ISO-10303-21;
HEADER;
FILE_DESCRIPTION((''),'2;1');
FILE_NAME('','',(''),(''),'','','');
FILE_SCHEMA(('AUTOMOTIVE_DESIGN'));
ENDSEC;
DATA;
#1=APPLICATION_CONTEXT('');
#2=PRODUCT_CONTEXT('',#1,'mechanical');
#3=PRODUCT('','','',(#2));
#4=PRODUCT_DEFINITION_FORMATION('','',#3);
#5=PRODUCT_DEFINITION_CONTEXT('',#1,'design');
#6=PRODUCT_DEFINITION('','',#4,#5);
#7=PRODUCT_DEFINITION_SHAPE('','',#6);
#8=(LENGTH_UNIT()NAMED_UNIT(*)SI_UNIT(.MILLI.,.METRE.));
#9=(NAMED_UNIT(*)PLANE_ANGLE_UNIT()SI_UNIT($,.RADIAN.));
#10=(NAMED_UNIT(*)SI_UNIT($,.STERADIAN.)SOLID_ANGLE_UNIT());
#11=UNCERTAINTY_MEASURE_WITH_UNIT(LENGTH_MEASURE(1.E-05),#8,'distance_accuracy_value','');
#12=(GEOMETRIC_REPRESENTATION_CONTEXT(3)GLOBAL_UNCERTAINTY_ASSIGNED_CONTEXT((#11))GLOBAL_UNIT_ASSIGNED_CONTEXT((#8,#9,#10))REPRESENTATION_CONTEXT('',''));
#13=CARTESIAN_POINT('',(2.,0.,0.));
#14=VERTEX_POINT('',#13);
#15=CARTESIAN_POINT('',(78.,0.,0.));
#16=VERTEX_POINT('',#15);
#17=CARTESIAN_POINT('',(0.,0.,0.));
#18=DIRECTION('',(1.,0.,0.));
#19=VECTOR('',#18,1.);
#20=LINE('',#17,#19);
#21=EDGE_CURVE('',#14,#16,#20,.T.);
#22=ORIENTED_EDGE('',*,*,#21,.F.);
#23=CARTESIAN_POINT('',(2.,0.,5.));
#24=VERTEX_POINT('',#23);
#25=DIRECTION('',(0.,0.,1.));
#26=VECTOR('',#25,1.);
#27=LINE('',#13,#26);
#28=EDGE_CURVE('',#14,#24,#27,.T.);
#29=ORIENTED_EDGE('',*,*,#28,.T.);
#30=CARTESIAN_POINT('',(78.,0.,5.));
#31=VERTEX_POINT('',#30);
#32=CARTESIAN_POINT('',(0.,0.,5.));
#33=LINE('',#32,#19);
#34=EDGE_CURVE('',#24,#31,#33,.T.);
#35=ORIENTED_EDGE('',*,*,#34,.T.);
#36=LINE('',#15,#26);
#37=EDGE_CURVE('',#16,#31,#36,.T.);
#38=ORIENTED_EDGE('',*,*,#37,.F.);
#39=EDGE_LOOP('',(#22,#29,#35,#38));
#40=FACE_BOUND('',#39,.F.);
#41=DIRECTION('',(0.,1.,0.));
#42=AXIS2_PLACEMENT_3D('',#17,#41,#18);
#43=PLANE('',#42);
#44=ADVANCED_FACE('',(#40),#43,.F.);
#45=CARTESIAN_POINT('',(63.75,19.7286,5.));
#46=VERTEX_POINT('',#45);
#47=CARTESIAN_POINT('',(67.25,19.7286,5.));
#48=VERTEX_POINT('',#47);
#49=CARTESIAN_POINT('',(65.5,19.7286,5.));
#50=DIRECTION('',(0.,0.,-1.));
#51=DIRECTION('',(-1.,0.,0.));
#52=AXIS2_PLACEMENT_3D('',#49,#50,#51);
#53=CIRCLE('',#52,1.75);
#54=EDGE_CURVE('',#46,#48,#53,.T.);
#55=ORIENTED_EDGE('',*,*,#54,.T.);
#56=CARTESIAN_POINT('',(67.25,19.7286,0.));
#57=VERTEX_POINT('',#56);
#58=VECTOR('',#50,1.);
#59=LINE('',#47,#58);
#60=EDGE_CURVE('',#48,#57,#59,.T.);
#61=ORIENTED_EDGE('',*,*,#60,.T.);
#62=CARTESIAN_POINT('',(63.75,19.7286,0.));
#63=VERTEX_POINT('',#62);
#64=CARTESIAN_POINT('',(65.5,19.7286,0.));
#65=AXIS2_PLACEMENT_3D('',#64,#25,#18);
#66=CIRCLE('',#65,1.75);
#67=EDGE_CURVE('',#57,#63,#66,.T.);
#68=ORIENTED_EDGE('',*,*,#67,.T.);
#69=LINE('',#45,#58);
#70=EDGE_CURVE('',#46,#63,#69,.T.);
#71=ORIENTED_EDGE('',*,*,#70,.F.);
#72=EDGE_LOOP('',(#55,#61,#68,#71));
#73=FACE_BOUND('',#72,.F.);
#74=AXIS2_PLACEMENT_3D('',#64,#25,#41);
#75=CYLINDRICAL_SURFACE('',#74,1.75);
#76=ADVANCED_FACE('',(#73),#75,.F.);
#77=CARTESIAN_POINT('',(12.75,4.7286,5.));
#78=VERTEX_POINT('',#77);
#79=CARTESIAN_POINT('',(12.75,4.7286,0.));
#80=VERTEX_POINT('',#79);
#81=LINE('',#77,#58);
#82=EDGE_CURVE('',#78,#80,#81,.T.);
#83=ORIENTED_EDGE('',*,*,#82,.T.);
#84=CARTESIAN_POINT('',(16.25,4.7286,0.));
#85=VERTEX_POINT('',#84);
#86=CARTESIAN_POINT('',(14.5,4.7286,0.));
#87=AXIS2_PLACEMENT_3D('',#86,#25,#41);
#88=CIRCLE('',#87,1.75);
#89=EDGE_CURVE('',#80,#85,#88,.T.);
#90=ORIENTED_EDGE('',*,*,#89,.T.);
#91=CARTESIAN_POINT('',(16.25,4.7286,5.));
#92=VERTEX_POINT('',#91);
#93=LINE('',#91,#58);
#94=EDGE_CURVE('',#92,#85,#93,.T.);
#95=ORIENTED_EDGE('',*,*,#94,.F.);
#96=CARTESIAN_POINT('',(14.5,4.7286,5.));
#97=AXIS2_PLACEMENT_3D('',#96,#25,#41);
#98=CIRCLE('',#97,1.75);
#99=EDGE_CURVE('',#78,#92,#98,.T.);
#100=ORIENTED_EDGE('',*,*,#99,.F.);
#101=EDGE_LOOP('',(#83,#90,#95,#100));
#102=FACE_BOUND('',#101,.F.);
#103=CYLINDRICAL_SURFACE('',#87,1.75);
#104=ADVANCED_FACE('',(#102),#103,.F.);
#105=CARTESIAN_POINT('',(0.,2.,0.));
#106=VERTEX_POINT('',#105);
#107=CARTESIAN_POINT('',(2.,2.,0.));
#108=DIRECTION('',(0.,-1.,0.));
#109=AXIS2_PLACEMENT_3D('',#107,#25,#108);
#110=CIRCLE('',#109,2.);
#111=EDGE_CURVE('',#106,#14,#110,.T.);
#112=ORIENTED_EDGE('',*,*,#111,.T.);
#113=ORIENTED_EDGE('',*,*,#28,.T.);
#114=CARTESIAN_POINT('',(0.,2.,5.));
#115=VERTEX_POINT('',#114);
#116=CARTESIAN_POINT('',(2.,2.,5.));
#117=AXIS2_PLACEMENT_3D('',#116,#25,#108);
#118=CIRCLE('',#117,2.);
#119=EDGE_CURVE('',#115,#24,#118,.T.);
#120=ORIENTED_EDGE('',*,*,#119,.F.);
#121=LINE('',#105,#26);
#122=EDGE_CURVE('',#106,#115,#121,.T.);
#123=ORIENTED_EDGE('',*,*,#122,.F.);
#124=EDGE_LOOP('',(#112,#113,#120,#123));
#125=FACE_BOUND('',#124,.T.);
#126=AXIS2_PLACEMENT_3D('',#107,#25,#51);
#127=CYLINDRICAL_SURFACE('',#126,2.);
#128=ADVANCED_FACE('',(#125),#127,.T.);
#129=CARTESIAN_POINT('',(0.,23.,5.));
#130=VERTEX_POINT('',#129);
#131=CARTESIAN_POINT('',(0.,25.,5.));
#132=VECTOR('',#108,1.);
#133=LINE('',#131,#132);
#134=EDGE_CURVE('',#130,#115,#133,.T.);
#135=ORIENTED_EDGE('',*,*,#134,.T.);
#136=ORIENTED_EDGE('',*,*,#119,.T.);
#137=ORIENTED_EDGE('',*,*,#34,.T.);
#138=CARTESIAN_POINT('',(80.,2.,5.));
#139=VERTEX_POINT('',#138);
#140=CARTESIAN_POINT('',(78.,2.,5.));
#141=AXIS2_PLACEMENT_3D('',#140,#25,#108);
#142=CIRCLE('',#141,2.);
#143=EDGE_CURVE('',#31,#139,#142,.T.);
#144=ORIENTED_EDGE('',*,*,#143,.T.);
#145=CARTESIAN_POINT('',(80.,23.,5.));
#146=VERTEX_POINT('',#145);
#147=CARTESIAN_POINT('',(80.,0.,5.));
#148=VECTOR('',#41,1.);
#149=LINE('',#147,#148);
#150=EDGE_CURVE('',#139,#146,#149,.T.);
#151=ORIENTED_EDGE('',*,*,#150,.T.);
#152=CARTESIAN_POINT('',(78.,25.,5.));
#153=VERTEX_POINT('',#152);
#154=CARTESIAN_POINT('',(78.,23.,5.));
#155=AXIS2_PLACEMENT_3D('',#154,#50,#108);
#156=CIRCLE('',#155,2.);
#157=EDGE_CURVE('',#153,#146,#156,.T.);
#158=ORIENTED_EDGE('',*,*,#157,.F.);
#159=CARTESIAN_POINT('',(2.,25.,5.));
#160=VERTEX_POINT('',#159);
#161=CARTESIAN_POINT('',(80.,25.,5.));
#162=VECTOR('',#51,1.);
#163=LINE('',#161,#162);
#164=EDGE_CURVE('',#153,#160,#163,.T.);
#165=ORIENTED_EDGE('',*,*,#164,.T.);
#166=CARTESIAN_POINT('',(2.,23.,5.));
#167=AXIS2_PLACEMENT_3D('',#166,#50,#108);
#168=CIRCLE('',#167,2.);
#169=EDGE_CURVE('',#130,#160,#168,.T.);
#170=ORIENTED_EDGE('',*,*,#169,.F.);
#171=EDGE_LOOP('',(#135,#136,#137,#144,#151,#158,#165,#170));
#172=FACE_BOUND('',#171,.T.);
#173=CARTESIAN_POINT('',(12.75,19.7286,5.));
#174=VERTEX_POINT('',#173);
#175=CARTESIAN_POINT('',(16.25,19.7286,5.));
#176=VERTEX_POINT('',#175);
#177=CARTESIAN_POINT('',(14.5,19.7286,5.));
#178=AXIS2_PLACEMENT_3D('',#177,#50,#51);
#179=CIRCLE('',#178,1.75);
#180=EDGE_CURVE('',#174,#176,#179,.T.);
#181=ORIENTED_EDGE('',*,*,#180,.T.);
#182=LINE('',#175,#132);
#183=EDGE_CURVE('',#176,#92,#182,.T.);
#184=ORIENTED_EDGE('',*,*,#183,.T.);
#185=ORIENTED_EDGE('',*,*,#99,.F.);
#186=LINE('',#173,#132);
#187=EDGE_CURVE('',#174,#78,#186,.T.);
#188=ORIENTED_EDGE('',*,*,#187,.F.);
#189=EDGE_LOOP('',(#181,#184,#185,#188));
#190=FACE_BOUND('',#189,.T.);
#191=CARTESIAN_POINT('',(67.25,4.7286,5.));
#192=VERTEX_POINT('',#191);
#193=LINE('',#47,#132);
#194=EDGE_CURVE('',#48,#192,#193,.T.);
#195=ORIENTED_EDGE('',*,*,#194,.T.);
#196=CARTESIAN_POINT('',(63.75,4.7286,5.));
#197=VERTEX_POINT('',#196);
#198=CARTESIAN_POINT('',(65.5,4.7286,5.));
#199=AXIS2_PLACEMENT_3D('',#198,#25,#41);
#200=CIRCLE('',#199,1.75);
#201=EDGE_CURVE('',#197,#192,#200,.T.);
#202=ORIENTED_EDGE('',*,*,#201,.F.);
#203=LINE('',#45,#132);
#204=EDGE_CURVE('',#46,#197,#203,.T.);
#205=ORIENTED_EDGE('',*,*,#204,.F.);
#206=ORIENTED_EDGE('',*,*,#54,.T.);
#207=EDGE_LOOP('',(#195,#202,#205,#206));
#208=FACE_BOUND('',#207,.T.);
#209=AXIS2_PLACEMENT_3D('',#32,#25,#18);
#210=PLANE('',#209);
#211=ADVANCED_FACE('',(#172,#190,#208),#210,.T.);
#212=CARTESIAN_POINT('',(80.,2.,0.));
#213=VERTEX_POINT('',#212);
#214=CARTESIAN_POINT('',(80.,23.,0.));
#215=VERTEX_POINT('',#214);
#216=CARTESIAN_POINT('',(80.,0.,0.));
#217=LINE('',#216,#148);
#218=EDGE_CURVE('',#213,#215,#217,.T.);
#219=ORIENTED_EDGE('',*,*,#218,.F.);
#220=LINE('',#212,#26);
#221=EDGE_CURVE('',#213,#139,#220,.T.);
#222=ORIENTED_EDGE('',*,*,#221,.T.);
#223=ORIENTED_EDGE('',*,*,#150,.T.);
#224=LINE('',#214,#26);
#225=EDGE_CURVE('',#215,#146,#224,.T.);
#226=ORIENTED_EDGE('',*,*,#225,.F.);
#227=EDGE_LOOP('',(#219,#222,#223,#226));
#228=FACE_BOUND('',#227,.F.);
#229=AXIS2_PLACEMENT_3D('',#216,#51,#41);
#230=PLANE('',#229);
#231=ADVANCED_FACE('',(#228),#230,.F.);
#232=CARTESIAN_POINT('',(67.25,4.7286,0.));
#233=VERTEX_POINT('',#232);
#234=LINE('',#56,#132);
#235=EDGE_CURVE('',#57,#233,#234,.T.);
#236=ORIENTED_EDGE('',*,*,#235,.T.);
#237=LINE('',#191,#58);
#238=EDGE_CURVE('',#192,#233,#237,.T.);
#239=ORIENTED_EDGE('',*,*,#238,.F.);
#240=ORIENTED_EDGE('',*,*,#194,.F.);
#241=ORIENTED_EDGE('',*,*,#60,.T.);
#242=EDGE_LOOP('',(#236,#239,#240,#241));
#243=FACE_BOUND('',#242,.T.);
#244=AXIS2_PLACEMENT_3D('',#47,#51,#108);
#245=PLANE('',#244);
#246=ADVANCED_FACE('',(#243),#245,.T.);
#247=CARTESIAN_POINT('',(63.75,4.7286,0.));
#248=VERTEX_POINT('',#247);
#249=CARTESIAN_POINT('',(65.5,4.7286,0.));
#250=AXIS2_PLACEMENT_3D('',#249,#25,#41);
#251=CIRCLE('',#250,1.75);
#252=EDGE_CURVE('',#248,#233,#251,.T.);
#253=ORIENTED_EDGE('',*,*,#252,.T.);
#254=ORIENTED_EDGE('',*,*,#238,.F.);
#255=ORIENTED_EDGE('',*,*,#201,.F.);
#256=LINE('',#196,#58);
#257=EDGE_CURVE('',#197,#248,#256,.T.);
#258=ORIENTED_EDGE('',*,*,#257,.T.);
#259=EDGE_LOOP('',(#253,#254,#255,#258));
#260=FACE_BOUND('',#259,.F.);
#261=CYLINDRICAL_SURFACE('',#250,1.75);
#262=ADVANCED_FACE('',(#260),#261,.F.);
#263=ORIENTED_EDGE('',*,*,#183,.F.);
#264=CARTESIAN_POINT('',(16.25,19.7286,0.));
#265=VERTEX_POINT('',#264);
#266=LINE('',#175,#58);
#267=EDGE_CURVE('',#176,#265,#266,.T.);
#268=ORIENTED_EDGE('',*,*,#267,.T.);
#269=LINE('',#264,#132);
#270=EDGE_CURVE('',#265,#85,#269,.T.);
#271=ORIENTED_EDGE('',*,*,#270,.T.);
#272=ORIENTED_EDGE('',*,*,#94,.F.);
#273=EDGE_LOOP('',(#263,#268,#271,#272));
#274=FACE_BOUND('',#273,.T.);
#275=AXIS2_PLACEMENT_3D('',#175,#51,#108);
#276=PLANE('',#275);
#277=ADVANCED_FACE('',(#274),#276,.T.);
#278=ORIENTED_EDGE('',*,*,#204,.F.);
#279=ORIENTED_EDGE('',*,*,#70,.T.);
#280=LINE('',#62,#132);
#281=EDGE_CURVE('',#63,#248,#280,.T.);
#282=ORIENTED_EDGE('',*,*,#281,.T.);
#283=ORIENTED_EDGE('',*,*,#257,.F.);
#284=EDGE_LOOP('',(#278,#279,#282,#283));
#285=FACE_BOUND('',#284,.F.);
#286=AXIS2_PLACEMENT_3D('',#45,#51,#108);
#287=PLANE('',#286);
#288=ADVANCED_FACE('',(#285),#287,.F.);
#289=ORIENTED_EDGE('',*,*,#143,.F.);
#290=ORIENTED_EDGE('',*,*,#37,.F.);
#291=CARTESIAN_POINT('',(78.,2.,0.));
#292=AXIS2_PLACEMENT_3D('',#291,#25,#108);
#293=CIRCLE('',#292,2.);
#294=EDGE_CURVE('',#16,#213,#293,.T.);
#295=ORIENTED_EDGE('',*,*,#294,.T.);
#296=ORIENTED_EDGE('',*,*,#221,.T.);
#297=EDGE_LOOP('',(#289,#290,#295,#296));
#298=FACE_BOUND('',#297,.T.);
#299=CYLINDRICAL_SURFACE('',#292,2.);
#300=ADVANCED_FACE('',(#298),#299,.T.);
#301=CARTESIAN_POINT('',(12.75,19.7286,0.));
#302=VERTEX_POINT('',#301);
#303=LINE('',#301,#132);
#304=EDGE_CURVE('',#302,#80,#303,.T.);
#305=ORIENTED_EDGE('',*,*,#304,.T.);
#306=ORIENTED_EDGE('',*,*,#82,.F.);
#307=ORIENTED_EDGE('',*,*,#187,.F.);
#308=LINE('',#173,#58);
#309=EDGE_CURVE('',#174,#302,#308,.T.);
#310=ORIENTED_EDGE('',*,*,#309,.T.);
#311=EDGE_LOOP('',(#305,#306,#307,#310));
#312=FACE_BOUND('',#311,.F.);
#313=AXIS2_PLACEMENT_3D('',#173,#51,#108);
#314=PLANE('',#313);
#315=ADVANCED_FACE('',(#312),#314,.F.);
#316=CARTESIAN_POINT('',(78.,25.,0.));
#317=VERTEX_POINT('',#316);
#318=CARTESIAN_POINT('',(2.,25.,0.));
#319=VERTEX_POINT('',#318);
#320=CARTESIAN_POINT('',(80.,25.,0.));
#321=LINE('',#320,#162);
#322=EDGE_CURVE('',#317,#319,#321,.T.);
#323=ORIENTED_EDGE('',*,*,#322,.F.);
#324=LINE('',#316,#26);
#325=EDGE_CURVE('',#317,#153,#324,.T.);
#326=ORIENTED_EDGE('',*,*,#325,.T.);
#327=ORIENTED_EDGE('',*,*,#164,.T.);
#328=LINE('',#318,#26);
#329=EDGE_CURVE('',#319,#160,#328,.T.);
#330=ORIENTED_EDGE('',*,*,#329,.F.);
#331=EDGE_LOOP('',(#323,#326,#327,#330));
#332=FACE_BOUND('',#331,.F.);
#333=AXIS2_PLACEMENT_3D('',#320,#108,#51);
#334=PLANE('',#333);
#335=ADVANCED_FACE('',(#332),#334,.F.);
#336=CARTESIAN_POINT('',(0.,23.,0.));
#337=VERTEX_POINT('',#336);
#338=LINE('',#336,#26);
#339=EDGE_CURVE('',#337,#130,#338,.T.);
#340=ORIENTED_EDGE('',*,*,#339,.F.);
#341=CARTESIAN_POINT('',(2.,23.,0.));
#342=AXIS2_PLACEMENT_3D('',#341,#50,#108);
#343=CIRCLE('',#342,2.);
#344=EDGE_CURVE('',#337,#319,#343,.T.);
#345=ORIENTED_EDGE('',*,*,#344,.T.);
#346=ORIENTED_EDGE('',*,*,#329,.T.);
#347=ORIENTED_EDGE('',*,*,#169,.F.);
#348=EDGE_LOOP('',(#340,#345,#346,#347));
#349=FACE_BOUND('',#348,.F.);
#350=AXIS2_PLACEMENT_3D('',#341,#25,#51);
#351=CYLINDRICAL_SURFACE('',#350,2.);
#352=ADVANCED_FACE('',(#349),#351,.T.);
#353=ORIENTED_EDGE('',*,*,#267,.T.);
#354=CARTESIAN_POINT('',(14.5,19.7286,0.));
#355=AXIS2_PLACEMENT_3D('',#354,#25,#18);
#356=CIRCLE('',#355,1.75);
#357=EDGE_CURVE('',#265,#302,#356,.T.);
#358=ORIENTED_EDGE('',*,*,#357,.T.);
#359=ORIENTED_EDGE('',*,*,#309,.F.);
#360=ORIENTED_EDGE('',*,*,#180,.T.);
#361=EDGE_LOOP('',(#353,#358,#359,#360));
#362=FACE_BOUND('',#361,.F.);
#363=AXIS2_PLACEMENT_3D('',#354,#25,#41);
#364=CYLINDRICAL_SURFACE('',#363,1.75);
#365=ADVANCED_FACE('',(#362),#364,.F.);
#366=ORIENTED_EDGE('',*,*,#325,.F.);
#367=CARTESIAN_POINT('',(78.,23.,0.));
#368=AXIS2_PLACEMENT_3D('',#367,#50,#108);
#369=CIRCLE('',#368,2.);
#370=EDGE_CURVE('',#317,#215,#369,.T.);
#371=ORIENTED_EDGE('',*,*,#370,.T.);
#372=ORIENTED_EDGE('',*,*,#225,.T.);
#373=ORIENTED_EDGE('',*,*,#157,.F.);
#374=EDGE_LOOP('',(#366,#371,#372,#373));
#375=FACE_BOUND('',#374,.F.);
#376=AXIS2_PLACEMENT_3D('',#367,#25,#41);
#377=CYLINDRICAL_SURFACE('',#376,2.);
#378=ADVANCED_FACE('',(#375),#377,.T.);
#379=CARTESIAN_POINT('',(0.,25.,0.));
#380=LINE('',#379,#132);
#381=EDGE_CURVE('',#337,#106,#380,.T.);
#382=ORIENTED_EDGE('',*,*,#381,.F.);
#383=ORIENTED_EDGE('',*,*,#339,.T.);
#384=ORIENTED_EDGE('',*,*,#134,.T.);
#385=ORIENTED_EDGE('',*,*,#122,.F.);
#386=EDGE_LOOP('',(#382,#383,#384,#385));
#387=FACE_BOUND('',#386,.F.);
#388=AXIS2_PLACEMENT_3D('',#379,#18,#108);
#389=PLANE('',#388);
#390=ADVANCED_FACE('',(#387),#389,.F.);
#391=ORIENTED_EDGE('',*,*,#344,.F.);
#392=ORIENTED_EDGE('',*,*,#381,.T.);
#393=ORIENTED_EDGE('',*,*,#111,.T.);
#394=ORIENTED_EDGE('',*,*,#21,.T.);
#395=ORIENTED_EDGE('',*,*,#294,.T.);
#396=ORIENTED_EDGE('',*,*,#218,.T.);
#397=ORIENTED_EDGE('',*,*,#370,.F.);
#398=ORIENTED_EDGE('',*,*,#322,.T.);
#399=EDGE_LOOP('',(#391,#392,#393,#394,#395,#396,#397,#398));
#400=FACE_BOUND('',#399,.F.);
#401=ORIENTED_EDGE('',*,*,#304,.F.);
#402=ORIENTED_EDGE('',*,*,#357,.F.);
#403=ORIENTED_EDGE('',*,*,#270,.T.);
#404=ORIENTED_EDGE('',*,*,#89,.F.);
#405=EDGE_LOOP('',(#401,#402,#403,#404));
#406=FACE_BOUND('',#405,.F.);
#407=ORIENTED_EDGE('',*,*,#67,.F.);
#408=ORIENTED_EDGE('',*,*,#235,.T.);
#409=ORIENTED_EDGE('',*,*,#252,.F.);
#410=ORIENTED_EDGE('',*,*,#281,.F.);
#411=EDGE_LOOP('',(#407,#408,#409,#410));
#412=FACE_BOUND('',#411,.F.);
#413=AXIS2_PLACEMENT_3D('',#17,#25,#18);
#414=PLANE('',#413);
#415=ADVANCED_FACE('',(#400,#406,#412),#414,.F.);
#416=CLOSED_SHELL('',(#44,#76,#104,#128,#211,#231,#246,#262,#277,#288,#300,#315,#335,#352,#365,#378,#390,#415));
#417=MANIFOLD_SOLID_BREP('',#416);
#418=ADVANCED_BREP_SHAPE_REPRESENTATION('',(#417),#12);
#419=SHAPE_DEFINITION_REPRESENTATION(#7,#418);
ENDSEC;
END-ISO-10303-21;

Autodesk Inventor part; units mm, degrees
ref_plane "YZ Plane" through (0, 0, 0) normal (1, 0, 0) x (0, 1, 0)
ref_plane "XZ Plane" through (0, 0, 0) normal (0, 1, 0) x (-1, 0, 0)
ref_plane "XY Plane" through (0, 0, 0) normal (0, 0, 1) x (1, 0, 0)
sketch "Sketch1" plane through (0, 0, 0) normal (0, 0, 1) x (1, 0, 0)
  line L0 (0, 0) -> (80, 0)
  line L1 (80, 0) -> (80, 25)
  line L2 (80, 25) -> (0, 25)
  line L3 (0, 25) -> (0, 0)
  point P0 (14.5, 19.7286)
  point P1 (14.5, 4.7286)
  point P2 (65.5, 19.7286)
  point P3 (65.5, 4.7286)
  dimension "d0" = 80
  dimension "d1" = 25
  dimension "d2" = 14.5
  dimension "d3" = 51
  dimension "d4" = 15
extrude "Extrusion1" add sketch "Sketch1" along normal blind 5
sketch "Sketch2" plane through (0, 0, 0) normal (0, 0, 1) x (1, 0, 0)
  line L0 (0, 0) -> (80, 0)
  line L1 (80, 0) -> (80, 25)
  line L2 (80, 25) -> (0, 25)
  line L3 (0, 25) -> (0, 0)
  point P0 (14.5, 19.7286)
  point P1 (14.5, 4.7286)
  point P2 (65.5, 19.7286)
  point P3 (65.5, 4.7286)
  dimension "d5" = 80
  dimension "d6" = 25
  dimension "d7" = 14.5
  dimension "d8" = 51
  dimension "d9" = 15
hole "Hole1" at (14.5, 19.7286, 0) at (14.5, 4.7286, 0) at (65.5, 19.7286, 0) at (65.5, 4.7286, 0) direction (0, 0, 1) diameter 3.5 end through all
sketch "Sketch3" plane through (0, 0, 5) normal (0, 0, 1) x (1, 0, 0)
  circle A0 centre (14.5, 19.7286) radius 1.75 projected
  line L0 (16.25, 19.7286) -> (16.25, 4.7286)
  line L1 (12.75, 19.7286) -> (12.75, 4.7286)
  circle A1 centre (14.5, 4.7286) radius 1.75 projected
  circle A2 centre (65.5, 19.7286) radius 1.75 projected
  line L2 (63.75, 19.7286) -> (63.75, 4.7286)
  line L3 (67.25, 19.7286) -> (67.25, 4.7286)
  circle A3 centre (65.5, 4.7286) radius 1.75 projected
  circle A4 centre (65.5, 19.7286) radius 1.75 projected
  circle A5 centre (65.5, 4.7286) radius 1.75 projected
  circle A6 centre (14.5, 19.7286) radius 1.75 projected
  circle A7 centre (14.5, 4.7286) radius 1.75 projected
  point P0 (0, 0)
extrude "Extrusion2" cut sketch "Sketch3" against normal blind 5 contours L0 A1 L1 A0 | L3 A3 L2 A2
fillet "Fillet1" radius 2 4 edges at (80, 25, 2.5) (80, 0, 2.5) (0, 25, 2.5) (0, 0, 2.5)
sketch "Sketch4" plane through (0, 0, 5) normal (0, 0, 1) x (1, 0, 0)
  line L0 (63.75, 4.7286) -> (63.75, 19.7286) projected
  arc A0 (67.25, 19.7286) -> (63.75, 19.7286) centre (65.5, 19.7286) ccw projected
  line L1 (67.25, 19.7286) -> (67.25, 4.7286) projected
  arc A1 (63.75, 4.7286) -> (67.25, 4.7286) centre (65.5, 4.7286) ccw projected
  line L2 (12.75, 4.7286) -> (12.75, 19.7286) projected
  arc A2 (16.25, 19.7286) -> (12.75, 19.7286) centre (14.5, 19.7286) ccw projected
  line L3 (16.25, 19.7286) -> (16.25, 4.7286) projected
  arc A3 (12.75, 4.7286) -> (16.25, 4.7286) centre (14.5, 4.7286) ccw projected
  arc A4 (0, 2) -> (2, 0) centre (2, 2) ccw projected
  line L4 (2, 0) -> (78, 0) projected
  arc A5 (78, 0) -> (80, 2) centre (78, 2) ccw projected
  line L5 (80, 2) -> (80, 23) projected
  arc A6 (80, 23) -> (78, 25) centre (78, 23) ccw projected
  line L6 (78, 25) -> (2, 25) projected
  arc A7 (2, 25) -> (0, 23) centre (2, 23) ccw projected
  line L7 (0, 23) -> (0, 2) projected
  point P0 (0, 0)
properties part number "BasePatasVTOL2"
